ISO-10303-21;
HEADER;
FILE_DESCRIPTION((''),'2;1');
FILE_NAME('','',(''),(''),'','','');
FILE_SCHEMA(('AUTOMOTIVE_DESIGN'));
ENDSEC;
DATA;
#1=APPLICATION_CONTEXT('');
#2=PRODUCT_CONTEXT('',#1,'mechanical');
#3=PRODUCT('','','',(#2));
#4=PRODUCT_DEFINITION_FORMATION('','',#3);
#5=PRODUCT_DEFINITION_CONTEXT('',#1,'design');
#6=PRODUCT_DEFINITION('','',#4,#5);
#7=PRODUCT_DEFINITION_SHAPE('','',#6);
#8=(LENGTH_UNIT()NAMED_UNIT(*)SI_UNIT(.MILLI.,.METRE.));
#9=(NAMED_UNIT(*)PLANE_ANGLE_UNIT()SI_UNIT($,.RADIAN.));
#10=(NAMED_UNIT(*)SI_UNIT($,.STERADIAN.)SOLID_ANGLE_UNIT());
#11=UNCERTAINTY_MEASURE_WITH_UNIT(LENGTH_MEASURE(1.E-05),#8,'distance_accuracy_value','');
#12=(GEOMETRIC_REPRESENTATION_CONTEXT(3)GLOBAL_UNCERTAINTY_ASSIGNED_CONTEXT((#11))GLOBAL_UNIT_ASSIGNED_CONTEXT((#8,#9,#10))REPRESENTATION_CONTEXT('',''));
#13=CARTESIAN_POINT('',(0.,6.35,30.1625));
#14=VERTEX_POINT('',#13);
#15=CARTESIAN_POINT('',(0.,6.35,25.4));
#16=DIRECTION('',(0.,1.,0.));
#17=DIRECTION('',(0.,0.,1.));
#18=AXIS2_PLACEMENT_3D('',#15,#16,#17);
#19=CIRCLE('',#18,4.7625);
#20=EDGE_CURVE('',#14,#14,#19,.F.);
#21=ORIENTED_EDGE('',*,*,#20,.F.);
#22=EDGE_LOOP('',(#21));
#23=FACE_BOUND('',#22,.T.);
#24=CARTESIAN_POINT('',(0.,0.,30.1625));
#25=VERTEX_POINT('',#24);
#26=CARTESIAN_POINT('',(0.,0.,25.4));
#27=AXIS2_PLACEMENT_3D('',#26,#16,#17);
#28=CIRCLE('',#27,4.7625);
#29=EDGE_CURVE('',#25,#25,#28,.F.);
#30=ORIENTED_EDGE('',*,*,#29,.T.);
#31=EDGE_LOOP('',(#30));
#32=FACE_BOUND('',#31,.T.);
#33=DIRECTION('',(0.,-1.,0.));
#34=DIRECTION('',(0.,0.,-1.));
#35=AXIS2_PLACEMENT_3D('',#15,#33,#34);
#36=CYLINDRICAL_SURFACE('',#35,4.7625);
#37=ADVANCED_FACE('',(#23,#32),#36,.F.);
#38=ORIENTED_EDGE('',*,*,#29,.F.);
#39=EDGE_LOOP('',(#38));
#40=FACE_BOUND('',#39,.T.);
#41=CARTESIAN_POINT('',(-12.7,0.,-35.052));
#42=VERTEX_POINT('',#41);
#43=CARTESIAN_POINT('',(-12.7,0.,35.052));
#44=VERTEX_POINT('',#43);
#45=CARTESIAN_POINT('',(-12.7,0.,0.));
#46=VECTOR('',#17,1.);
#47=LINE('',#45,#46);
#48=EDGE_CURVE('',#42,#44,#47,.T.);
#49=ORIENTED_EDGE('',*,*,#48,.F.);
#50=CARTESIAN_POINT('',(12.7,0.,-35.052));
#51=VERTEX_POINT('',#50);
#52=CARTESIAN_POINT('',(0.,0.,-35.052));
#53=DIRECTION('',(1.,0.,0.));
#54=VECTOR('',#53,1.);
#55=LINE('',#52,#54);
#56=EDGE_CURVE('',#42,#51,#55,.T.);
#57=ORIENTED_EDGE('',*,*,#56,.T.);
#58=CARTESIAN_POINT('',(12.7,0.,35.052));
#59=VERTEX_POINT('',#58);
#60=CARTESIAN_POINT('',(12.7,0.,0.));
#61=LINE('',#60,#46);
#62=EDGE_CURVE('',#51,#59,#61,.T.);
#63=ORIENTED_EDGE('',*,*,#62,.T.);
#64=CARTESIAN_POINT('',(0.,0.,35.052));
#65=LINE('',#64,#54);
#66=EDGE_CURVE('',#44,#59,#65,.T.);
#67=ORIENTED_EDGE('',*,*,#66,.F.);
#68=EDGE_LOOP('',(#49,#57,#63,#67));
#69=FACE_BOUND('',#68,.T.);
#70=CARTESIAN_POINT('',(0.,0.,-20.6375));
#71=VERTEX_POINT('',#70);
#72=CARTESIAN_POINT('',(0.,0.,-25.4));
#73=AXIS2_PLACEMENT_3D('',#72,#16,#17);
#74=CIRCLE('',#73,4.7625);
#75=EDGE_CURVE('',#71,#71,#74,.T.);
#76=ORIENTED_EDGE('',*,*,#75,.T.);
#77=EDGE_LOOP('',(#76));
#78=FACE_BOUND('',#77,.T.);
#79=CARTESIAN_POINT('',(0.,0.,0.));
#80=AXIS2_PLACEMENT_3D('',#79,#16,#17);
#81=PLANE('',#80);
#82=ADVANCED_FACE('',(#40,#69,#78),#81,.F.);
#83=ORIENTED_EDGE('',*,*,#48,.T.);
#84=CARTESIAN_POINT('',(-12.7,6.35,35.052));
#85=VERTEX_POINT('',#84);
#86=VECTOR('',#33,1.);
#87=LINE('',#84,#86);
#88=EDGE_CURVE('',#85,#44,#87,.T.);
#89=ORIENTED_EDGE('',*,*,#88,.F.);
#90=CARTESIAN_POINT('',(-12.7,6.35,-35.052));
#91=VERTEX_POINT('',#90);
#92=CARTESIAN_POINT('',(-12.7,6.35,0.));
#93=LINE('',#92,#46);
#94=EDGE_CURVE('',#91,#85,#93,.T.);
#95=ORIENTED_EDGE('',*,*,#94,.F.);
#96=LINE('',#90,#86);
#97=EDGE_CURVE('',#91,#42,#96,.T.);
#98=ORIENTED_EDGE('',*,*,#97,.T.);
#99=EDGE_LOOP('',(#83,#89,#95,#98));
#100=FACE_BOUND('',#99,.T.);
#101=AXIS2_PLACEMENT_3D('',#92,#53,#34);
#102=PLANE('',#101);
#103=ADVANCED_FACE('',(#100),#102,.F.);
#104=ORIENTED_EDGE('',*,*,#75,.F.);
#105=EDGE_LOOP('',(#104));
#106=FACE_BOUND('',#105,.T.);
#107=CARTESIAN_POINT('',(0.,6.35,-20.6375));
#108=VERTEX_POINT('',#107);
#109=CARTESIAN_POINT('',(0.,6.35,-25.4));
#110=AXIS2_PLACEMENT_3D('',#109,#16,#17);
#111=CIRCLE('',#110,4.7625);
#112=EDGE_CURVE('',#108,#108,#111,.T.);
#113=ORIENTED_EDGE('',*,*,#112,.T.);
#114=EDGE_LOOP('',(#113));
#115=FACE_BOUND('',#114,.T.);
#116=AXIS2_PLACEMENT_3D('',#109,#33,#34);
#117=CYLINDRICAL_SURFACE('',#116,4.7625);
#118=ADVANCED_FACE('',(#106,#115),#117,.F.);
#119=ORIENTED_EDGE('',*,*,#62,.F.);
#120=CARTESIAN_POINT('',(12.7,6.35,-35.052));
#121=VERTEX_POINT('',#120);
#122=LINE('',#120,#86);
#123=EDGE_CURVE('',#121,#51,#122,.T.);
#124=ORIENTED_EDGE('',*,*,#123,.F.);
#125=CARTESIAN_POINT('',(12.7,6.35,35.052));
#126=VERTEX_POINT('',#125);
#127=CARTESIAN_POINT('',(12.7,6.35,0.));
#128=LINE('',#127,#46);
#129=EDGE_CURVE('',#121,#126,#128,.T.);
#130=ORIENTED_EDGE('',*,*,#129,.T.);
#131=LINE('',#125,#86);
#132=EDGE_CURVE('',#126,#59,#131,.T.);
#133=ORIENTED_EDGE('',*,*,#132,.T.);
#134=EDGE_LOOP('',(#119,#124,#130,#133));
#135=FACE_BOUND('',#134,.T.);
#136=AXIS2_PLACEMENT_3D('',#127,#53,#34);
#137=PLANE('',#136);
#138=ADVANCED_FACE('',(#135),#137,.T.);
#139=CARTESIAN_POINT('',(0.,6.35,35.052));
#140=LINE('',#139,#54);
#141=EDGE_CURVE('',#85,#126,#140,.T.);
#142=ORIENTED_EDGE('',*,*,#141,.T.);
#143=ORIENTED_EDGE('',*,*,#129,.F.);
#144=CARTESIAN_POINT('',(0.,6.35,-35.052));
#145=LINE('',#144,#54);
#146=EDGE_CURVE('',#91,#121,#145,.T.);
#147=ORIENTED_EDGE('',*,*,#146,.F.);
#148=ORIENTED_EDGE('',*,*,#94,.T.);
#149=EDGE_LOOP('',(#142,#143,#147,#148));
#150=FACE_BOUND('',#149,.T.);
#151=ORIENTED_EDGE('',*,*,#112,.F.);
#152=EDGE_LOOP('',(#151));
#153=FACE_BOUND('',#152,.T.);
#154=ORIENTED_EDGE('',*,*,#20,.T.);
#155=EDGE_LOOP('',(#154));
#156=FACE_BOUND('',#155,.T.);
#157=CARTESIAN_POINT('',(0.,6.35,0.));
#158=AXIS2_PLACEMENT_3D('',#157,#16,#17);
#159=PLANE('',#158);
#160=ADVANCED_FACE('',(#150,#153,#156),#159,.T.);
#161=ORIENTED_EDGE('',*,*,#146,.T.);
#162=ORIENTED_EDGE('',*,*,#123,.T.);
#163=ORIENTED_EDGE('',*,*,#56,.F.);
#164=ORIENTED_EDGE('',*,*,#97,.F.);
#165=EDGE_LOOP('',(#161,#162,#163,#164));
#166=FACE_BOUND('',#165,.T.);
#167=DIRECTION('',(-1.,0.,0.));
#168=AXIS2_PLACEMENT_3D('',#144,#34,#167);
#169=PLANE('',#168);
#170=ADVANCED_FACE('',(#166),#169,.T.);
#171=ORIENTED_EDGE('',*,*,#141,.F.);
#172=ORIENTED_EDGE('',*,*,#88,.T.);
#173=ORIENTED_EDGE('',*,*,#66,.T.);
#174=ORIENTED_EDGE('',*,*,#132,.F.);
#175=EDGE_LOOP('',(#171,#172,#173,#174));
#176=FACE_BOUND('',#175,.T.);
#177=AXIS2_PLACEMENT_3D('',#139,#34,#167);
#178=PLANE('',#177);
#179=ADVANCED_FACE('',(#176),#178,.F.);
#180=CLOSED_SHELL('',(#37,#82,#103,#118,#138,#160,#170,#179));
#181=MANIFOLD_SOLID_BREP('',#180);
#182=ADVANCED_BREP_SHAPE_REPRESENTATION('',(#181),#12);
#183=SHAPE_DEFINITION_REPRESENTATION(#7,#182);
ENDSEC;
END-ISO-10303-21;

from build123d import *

# Parameters (mm, degrees)
SKETCH2_W           = 25.4
SKETCH2_H           = 70.104
SKETCH2_R           = 4.7625
BOSS_EXTRUDE1_DEPTH = 6.35


with BuildPart() as part:
    # Sketch2 → Boss-Extrude1 (new body)
    with BuildSketch(Plane(origin=(0, 0, 0), x_dir=(1, 0, 0), z_dir=(0, 1, 0))):
        Rectangle(SKETCH2_W, SKETCH2_H)
        with Locations((0, 25.4)):
            Circle(SKETCH2_R, mode=Mode.SUBTRACT)
        with Locations((0, -25.4)):
            Circle(SKETCH2_R, mode=Mode.SUBTRACT)
    extrude(amount=BOSS_EXTRUDE1_DEPTH)


solid = part.part
